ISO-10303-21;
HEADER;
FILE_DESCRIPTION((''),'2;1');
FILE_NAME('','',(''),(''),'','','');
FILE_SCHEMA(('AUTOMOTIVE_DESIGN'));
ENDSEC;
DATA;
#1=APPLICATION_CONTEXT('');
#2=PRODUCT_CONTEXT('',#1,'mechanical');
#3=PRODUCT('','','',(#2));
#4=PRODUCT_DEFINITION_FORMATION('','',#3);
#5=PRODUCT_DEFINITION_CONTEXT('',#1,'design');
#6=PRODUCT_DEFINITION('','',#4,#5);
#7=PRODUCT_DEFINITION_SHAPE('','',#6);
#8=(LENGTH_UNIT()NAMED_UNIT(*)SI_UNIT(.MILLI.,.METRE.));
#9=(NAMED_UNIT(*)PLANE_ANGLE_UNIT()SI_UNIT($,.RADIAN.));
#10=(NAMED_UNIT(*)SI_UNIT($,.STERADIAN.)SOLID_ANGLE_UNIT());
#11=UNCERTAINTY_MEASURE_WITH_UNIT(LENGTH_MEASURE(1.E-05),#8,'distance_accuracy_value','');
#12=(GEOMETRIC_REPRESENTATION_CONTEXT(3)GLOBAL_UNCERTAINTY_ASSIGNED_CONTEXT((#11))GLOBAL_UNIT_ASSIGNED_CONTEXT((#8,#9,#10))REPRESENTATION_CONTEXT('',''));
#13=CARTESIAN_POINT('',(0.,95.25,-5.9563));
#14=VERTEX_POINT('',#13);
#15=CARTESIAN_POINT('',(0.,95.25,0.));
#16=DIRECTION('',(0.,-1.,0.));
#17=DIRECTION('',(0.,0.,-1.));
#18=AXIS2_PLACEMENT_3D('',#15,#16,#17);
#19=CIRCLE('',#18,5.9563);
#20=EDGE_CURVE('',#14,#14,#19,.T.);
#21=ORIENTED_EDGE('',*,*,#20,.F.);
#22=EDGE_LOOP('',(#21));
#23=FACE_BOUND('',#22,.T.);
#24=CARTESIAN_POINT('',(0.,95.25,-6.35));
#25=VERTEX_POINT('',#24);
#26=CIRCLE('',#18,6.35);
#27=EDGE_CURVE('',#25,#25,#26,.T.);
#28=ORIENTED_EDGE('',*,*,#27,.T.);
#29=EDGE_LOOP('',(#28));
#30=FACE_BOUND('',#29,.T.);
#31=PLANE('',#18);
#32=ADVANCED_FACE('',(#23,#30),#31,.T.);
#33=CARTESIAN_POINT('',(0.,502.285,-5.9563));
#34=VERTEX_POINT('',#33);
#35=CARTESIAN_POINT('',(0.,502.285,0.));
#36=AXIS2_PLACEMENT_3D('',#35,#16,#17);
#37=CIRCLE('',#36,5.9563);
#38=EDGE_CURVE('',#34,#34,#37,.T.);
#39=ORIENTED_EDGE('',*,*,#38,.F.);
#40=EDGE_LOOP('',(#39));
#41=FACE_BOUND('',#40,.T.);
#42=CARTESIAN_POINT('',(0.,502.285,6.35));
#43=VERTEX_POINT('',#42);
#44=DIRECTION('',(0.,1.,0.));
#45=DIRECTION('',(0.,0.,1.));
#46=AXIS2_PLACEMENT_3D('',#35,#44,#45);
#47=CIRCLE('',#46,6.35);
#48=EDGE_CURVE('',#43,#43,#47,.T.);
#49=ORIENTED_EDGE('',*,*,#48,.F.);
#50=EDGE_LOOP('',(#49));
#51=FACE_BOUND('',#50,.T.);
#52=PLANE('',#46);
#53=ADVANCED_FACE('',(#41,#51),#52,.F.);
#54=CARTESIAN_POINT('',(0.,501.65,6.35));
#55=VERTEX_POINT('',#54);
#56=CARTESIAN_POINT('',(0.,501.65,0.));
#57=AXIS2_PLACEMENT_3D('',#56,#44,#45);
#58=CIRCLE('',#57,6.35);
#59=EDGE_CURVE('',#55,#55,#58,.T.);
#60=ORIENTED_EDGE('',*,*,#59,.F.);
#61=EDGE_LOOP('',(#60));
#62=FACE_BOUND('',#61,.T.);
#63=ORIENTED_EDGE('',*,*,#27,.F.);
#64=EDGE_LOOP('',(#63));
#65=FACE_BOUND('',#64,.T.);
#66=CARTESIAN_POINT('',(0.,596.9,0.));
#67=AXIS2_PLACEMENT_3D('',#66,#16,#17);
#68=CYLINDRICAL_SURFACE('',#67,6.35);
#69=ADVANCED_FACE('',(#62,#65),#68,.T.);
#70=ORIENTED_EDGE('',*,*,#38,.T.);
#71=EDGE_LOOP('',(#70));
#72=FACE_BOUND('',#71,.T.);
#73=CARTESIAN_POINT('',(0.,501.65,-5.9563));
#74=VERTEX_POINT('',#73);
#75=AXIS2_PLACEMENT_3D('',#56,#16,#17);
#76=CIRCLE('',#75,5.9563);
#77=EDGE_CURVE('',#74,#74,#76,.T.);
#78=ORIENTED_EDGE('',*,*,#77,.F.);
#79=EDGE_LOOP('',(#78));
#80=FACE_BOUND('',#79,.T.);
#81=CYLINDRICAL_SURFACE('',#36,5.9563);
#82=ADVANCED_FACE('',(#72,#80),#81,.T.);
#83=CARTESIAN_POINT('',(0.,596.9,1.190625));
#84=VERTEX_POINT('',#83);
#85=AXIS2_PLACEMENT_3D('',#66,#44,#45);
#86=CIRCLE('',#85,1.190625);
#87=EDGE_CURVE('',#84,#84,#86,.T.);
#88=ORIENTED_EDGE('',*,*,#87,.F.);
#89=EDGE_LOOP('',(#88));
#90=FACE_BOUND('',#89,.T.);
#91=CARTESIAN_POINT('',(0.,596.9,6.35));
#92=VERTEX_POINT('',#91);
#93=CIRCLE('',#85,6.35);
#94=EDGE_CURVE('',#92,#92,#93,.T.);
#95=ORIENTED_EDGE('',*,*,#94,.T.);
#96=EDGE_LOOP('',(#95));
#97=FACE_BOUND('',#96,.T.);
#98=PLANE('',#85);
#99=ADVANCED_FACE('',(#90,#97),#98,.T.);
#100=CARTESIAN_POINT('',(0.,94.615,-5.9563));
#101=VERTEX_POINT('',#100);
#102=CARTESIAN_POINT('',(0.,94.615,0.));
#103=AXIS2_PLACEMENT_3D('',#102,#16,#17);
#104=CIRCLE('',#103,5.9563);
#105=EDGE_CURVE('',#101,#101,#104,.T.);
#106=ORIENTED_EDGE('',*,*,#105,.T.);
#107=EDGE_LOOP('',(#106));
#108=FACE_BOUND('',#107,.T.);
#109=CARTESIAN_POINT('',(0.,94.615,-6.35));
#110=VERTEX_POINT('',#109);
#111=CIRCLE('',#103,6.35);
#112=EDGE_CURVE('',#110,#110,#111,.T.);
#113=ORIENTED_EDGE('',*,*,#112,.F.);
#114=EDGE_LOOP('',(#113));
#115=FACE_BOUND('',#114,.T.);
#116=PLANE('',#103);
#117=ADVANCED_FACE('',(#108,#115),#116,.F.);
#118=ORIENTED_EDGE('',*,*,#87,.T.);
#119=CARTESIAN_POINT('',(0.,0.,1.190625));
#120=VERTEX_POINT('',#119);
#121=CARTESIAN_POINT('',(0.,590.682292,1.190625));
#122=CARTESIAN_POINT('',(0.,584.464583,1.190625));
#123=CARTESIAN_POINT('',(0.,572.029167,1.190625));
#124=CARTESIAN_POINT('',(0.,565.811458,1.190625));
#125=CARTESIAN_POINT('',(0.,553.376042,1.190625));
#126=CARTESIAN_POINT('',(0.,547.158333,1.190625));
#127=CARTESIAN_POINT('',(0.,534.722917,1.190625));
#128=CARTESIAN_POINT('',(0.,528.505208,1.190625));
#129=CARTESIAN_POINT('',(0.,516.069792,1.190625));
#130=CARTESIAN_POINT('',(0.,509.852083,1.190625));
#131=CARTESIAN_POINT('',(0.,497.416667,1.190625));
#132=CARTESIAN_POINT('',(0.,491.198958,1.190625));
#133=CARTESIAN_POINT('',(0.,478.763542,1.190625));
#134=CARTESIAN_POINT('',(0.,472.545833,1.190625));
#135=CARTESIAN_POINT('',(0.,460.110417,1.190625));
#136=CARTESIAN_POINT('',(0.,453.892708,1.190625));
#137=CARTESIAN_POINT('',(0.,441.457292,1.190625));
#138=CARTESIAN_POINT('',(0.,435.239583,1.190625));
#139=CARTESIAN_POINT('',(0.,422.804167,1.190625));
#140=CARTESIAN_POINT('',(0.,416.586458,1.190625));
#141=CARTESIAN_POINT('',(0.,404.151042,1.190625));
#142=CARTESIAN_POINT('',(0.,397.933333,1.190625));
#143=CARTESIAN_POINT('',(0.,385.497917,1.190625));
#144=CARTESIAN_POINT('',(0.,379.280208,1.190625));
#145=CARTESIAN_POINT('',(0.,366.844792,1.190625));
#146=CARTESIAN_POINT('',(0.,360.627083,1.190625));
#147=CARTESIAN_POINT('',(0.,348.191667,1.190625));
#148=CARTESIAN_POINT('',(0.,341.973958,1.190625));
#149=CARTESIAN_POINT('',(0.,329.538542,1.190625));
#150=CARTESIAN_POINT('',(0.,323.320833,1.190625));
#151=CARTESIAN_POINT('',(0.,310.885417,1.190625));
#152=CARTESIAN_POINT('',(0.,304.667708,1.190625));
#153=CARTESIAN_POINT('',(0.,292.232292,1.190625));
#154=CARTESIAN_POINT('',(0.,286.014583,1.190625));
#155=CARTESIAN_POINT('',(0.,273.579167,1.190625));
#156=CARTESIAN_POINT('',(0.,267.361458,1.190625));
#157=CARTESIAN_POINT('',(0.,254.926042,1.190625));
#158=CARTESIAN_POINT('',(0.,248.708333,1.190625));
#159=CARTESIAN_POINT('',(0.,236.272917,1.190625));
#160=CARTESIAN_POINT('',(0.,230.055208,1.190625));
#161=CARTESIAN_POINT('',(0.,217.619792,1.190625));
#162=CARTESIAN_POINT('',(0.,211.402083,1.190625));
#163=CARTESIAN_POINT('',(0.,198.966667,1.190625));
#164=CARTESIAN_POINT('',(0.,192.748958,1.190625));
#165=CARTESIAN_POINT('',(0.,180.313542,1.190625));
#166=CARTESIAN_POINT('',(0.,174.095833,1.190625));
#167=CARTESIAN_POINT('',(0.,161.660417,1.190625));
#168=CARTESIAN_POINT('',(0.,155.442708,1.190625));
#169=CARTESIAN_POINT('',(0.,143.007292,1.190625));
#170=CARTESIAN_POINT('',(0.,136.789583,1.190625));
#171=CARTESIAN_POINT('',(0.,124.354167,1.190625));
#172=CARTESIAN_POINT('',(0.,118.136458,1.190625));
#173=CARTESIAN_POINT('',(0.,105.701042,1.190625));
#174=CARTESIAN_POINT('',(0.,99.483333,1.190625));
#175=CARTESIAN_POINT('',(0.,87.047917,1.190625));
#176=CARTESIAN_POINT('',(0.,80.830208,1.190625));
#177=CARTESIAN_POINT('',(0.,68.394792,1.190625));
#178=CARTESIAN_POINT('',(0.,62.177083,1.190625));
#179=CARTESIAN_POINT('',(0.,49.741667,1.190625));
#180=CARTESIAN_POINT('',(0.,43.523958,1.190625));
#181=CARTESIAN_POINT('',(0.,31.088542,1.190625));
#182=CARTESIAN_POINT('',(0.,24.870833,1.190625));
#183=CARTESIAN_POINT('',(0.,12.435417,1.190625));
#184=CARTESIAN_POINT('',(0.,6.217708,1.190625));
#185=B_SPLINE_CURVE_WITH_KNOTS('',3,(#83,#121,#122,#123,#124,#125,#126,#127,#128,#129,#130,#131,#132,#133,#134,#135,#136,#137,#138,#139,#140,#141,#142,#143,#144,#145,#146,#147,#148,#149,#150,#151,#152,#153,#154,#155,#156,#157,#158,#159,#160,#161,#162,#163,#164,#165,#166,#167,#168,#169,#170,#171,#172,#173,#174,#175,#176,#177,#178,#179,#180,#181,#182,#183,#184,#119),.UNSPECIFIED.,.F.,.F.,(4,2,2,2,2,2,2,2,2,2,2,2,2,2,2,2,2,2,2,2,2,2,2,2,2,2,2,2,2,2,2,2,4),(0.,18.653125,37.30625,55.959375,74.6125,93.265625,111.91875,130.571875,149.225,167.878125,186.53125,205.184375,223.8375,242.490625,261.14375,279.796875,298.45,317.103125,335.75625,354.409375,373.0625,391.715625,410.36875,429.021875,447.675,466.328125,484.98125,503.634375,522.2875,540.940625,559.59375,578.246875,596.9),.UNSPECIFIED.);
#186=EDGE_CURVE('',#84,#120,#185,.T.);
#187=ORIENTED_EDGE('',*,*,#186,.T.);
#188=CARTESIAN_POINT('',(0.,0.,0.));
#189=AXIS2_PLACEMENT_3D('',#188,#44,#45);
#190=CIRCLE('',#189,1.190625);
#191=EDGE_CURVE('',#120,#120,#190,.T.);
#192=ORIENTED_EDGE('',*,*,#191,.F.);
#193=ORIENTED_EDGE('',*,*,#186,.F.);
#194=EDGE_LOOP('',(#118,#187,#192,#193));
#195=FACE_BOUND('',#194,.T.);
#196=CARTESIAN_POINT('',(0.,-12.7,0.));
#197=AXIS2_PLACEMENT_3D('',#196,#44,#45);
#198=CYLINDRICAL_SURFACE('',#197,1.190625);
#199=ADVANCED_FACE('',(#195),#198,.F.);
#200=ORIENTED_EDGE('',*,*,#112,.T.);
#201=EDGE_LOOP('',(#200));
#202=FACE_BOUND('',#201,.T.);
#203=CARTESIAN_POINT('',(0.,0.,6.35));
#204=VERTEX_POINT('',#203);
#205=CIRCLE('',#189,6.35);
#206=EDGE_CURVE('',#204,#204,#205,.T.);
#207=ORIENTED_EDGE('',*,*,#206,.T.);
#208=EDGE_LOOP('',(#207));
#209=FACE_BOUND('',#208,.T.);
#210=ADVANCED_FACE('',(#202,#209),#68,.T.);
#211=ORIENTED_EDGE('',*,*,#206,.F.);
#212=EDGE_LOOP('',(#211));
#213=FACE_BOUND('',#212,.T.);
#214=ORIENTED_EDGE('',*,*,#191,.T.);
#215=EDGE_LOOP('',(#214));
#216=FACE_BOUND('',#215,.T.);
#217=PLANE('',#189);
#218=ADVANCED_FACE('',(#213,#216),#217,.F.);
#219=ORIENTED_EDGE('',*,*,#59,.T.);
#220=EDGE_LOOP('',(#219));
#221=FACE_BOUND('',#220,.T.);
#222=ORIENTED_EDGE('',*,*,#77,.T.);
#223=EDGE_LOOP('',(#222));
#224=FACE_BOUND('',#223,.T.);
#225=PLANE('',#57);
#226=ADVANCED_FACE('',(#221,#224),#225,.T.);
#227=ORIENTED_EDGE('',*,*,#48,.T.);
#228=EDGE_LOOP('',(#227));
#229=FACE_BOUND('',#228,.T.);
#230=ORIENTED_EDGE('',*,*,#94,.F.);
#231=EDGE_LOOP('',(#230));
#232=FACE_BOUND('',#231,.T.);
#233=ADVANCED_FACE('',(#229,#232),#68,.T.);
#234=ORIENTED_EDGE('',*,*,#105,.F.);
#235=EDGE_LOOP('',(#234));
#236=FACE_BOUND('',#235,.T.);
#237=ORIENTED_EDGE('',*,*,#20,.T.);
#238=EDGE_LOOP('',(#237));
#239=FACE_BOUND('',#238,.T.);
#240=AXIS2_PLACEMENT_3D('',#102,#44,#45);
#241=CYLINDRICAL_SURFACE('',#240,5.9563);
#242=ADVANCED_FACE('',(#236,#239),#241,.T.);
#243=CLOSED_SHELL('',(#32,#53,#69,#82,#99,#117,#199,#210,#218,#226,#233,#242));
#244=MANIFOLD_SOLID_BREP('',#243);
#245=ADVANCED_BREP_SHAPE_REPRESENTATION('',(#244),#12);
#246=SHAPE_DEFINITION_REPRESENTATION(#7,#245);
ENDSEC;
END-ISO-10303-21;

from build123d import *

# Parameters (mm, degrees)
SKETCH1_R           = 6.35
BOSS_EXTRUDE1_DEPTH = 596.9
SKETCH2_R           = 1.190625
CUT_EXTRUDE1_DEPTH  = 609.6
SKETCH6_OUTSIDE_W   = 134.134
SKETCH6_OUTSIDE_H   = 134.134
SKETCH6_OUTSIDE_R   = 5.9563
CUT_EXTRUDE2_DEPTH  = 0.635


with BuildPart() as part:
    # Sketch1 → Boss-Extrude1 (new body)
    with BuildSketch(Plane(origin=(0, 0, 0), x_dir=(1, 0, 0), z_dir=(0, 1, 0))):
        with Locations(Location((0, 0, 0), (0, 0, 270))):
            Circle(SKETCH1_R)
    extrude(amount=BOSS_EXTRUDE1_DEPTH)

    # Sketch2 → Cut-Extrude1 (cut)
    with BuildSketch(Plane(origin=(0, 596.9, 0), x_dir=(1, 0, 0), z_dir=(0, 1, 0))):
        with Locations(Location((0, 0, 0), (0, 0, 270))):
            Circle(SKETCH2_R)
    extrude(amount=-CUT_EXTRUDE1_DEPTH, mode=Mode.SUBTRACT)

    # Sketch6 outside → Cut-Extrude2 (cut)
    with BuildSketch(Plane(origin=(0, 95.25, 0), x_dir=(-1, 0, 0), z_dir=(0, -1, 0))):
        Rectangle(SKETCH6_OUTSIDE_W, SKETCH6_OUTSIDE_H)
        with Locations(Location((0, 0, 0), (0, 0, 90))):
            Circle(SKETCH6_OUTSIDE_R, mode=Mode.SUBTRACT)
    cut_extrude2 = extrude(amount=CUT_EXTRUDE2_DEPTH, mode=Mode.SUBTRACT)

    # Mirror1: Cut-Extrude2 across plane
    add(cut_extrude2.mirror(Plane(origin=(0, 298.45, 0), x_dir=(0, 0, 1), z_dir=(0, -1, 0))), mode=Mode.SUBTRACT)


solid = part.part
